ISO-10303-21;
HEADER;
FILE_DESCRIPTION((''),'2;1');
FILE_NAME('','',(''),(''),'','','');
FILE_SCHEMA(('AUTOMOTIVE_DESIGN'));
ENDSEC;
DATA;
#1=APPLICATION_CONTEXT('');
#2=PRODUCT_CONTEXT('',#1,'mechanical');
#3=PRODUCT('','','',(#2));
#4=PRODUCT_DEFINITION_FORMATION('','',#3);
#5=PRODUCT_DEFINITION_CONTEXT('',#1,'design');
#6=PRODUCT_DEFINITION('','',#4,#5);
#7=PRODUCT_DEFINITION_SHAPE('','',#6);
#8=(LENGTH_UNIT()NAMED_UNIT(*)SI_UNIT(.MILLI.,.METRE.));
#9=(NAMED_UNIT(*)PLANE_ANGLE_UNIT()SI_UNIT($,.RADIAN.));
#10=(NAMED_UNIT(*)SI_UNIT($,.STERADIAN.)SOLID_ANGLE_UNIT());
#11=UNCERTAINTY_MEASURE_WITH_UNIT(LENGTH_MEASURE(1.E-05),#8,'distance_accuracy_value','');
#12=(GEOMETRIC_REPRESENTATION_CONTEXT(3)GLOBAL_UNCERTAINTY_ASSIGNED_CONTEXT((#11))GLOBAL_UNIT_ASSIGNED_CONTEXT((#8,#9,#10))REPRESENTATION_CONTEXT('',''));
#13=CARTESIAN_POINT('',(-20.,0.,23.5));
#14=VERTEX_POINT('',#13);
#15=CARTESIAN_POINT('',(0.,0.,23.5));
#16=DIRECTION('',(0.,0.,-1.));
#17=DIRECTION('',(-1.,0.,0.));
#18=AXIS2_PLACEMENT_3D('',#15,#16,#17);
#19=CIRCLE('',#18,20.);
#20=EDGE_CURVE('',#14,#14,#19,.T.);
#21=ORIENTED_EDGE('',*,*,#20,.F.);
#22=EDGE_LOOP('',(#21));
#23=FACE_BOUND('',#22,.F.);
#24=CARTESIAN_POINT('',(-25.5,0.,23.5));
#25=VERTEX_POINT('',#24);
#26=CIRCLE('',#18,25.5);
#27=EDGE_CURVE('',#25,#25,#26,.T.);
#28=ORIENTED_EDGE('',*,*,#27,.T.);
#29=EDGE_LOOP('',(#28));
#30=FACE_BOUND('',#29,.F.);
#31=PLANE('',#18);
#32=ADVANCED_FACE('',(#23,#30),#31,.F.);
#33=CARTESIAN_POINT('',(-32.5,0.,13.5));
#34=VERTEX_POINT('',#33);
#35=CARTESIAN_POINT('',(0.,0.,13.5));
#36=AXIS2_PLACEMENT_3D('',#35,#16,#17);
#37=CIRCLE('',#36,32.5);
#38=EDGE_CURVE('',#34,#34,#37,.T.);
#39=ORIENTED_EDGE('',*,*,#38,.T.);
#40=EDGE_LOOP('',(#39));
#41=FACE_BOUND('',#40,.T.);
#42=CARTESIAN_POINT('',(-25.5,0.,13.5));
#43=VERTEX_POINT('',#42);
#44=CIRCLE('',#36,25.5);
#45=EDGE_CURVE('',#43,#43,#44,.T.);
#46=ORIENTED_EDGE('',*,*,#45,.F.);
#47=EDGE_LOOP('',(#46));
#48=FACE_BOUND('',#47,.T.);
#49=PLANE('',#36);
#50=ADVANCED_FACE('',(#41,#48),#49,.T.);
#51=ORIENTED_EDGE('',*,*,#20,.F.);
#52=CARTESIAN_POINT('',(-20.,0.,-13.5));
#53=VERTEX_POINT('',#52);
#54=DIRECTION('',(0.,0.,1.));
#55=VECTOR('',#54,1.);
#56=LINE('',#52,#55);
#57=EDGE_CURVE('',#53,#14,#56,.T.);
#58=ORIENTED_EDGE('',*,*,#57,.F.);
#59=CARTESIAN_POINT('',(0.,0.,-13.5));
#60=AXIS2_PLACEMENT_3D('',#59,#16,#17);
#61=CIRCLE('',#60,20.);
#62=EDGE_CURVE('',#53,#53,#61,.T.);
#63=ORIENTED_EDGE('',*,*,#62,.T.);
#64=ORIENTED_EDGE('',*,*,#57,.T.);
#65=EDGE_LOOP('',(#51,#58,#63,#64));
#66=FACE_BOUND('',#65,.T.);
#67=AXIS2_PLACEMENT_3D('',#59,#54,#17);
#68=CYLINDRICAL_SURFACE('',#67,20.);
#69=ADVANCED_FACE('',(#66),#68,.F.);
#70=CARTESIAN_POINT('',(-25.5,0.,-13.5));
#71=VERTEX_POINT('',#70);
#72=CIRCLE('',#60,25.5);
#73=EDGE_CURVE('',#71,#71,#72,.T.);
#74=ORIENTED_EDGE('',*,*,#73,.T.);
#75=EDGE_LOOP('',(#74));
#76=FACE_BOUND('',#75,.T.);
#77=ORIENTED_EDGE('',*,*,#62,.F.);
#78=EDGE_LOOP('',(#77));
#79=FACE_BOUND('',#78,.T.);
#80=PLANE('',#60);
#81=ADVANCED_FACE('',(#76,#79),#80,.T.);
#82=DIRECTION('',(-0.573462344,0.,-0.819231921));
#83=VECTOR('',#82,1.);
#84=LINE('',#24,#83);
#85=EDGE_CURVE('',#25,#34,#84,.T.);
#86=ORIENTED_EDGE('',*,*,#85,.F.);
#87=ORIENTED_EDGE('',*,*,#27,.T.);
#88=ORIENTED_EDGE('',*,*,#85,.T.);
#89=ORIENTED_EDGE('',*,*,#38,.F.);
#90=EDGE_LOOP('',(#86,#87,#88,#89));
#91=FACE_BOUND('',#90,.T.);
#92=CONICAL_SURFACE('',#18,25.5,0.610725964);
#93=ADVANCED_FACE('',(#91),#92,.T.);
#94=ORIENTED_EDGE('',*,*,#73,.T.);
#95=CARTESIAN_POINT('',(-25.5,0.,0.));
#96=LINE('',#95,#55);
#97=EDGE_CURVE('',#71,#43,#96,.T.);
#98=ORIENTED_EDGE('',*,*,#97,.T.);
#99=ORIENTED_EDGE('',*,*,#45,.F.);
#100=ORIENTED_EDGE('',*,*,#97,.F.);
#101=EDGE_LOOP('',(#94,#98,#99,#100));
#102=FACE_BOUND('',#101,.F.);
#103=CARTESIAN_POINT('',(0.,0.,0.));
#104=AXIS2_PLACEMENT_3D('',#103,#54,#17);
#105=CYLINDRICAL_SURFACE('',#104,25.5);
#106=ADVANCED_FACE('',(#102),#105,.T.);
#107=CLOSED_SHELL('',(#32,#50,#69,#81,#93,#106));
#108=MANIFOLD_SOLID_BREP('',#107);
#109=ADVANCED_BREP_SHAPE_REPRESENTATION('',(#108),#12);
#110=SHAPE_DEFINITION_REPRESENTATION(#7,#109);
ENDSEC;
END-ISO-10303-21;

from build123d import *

# Parameters (mm, degrees)
F0_W   = 5.5
F0_H   = 10
F0_H_2 = 27


with BuildPart() as f1:
    # F0 (on Front) → F1 (revolve)
    with BuildSketch(Plane.XZ):
        Polygon((-32.5, 13.5), (-25.5, 13.5), (-25.5, 23.5), align=None)
        with Locations((-22.75, 18.5)):
            Rectangle(F0_W, F0_H)
        with Locations((-22.75, 0)):
            Rectangle(F0_W, F0_H_2)
    revolve(axis=Axis((0, 0, 5), (0, 0, -1)))


solid = f1.part
